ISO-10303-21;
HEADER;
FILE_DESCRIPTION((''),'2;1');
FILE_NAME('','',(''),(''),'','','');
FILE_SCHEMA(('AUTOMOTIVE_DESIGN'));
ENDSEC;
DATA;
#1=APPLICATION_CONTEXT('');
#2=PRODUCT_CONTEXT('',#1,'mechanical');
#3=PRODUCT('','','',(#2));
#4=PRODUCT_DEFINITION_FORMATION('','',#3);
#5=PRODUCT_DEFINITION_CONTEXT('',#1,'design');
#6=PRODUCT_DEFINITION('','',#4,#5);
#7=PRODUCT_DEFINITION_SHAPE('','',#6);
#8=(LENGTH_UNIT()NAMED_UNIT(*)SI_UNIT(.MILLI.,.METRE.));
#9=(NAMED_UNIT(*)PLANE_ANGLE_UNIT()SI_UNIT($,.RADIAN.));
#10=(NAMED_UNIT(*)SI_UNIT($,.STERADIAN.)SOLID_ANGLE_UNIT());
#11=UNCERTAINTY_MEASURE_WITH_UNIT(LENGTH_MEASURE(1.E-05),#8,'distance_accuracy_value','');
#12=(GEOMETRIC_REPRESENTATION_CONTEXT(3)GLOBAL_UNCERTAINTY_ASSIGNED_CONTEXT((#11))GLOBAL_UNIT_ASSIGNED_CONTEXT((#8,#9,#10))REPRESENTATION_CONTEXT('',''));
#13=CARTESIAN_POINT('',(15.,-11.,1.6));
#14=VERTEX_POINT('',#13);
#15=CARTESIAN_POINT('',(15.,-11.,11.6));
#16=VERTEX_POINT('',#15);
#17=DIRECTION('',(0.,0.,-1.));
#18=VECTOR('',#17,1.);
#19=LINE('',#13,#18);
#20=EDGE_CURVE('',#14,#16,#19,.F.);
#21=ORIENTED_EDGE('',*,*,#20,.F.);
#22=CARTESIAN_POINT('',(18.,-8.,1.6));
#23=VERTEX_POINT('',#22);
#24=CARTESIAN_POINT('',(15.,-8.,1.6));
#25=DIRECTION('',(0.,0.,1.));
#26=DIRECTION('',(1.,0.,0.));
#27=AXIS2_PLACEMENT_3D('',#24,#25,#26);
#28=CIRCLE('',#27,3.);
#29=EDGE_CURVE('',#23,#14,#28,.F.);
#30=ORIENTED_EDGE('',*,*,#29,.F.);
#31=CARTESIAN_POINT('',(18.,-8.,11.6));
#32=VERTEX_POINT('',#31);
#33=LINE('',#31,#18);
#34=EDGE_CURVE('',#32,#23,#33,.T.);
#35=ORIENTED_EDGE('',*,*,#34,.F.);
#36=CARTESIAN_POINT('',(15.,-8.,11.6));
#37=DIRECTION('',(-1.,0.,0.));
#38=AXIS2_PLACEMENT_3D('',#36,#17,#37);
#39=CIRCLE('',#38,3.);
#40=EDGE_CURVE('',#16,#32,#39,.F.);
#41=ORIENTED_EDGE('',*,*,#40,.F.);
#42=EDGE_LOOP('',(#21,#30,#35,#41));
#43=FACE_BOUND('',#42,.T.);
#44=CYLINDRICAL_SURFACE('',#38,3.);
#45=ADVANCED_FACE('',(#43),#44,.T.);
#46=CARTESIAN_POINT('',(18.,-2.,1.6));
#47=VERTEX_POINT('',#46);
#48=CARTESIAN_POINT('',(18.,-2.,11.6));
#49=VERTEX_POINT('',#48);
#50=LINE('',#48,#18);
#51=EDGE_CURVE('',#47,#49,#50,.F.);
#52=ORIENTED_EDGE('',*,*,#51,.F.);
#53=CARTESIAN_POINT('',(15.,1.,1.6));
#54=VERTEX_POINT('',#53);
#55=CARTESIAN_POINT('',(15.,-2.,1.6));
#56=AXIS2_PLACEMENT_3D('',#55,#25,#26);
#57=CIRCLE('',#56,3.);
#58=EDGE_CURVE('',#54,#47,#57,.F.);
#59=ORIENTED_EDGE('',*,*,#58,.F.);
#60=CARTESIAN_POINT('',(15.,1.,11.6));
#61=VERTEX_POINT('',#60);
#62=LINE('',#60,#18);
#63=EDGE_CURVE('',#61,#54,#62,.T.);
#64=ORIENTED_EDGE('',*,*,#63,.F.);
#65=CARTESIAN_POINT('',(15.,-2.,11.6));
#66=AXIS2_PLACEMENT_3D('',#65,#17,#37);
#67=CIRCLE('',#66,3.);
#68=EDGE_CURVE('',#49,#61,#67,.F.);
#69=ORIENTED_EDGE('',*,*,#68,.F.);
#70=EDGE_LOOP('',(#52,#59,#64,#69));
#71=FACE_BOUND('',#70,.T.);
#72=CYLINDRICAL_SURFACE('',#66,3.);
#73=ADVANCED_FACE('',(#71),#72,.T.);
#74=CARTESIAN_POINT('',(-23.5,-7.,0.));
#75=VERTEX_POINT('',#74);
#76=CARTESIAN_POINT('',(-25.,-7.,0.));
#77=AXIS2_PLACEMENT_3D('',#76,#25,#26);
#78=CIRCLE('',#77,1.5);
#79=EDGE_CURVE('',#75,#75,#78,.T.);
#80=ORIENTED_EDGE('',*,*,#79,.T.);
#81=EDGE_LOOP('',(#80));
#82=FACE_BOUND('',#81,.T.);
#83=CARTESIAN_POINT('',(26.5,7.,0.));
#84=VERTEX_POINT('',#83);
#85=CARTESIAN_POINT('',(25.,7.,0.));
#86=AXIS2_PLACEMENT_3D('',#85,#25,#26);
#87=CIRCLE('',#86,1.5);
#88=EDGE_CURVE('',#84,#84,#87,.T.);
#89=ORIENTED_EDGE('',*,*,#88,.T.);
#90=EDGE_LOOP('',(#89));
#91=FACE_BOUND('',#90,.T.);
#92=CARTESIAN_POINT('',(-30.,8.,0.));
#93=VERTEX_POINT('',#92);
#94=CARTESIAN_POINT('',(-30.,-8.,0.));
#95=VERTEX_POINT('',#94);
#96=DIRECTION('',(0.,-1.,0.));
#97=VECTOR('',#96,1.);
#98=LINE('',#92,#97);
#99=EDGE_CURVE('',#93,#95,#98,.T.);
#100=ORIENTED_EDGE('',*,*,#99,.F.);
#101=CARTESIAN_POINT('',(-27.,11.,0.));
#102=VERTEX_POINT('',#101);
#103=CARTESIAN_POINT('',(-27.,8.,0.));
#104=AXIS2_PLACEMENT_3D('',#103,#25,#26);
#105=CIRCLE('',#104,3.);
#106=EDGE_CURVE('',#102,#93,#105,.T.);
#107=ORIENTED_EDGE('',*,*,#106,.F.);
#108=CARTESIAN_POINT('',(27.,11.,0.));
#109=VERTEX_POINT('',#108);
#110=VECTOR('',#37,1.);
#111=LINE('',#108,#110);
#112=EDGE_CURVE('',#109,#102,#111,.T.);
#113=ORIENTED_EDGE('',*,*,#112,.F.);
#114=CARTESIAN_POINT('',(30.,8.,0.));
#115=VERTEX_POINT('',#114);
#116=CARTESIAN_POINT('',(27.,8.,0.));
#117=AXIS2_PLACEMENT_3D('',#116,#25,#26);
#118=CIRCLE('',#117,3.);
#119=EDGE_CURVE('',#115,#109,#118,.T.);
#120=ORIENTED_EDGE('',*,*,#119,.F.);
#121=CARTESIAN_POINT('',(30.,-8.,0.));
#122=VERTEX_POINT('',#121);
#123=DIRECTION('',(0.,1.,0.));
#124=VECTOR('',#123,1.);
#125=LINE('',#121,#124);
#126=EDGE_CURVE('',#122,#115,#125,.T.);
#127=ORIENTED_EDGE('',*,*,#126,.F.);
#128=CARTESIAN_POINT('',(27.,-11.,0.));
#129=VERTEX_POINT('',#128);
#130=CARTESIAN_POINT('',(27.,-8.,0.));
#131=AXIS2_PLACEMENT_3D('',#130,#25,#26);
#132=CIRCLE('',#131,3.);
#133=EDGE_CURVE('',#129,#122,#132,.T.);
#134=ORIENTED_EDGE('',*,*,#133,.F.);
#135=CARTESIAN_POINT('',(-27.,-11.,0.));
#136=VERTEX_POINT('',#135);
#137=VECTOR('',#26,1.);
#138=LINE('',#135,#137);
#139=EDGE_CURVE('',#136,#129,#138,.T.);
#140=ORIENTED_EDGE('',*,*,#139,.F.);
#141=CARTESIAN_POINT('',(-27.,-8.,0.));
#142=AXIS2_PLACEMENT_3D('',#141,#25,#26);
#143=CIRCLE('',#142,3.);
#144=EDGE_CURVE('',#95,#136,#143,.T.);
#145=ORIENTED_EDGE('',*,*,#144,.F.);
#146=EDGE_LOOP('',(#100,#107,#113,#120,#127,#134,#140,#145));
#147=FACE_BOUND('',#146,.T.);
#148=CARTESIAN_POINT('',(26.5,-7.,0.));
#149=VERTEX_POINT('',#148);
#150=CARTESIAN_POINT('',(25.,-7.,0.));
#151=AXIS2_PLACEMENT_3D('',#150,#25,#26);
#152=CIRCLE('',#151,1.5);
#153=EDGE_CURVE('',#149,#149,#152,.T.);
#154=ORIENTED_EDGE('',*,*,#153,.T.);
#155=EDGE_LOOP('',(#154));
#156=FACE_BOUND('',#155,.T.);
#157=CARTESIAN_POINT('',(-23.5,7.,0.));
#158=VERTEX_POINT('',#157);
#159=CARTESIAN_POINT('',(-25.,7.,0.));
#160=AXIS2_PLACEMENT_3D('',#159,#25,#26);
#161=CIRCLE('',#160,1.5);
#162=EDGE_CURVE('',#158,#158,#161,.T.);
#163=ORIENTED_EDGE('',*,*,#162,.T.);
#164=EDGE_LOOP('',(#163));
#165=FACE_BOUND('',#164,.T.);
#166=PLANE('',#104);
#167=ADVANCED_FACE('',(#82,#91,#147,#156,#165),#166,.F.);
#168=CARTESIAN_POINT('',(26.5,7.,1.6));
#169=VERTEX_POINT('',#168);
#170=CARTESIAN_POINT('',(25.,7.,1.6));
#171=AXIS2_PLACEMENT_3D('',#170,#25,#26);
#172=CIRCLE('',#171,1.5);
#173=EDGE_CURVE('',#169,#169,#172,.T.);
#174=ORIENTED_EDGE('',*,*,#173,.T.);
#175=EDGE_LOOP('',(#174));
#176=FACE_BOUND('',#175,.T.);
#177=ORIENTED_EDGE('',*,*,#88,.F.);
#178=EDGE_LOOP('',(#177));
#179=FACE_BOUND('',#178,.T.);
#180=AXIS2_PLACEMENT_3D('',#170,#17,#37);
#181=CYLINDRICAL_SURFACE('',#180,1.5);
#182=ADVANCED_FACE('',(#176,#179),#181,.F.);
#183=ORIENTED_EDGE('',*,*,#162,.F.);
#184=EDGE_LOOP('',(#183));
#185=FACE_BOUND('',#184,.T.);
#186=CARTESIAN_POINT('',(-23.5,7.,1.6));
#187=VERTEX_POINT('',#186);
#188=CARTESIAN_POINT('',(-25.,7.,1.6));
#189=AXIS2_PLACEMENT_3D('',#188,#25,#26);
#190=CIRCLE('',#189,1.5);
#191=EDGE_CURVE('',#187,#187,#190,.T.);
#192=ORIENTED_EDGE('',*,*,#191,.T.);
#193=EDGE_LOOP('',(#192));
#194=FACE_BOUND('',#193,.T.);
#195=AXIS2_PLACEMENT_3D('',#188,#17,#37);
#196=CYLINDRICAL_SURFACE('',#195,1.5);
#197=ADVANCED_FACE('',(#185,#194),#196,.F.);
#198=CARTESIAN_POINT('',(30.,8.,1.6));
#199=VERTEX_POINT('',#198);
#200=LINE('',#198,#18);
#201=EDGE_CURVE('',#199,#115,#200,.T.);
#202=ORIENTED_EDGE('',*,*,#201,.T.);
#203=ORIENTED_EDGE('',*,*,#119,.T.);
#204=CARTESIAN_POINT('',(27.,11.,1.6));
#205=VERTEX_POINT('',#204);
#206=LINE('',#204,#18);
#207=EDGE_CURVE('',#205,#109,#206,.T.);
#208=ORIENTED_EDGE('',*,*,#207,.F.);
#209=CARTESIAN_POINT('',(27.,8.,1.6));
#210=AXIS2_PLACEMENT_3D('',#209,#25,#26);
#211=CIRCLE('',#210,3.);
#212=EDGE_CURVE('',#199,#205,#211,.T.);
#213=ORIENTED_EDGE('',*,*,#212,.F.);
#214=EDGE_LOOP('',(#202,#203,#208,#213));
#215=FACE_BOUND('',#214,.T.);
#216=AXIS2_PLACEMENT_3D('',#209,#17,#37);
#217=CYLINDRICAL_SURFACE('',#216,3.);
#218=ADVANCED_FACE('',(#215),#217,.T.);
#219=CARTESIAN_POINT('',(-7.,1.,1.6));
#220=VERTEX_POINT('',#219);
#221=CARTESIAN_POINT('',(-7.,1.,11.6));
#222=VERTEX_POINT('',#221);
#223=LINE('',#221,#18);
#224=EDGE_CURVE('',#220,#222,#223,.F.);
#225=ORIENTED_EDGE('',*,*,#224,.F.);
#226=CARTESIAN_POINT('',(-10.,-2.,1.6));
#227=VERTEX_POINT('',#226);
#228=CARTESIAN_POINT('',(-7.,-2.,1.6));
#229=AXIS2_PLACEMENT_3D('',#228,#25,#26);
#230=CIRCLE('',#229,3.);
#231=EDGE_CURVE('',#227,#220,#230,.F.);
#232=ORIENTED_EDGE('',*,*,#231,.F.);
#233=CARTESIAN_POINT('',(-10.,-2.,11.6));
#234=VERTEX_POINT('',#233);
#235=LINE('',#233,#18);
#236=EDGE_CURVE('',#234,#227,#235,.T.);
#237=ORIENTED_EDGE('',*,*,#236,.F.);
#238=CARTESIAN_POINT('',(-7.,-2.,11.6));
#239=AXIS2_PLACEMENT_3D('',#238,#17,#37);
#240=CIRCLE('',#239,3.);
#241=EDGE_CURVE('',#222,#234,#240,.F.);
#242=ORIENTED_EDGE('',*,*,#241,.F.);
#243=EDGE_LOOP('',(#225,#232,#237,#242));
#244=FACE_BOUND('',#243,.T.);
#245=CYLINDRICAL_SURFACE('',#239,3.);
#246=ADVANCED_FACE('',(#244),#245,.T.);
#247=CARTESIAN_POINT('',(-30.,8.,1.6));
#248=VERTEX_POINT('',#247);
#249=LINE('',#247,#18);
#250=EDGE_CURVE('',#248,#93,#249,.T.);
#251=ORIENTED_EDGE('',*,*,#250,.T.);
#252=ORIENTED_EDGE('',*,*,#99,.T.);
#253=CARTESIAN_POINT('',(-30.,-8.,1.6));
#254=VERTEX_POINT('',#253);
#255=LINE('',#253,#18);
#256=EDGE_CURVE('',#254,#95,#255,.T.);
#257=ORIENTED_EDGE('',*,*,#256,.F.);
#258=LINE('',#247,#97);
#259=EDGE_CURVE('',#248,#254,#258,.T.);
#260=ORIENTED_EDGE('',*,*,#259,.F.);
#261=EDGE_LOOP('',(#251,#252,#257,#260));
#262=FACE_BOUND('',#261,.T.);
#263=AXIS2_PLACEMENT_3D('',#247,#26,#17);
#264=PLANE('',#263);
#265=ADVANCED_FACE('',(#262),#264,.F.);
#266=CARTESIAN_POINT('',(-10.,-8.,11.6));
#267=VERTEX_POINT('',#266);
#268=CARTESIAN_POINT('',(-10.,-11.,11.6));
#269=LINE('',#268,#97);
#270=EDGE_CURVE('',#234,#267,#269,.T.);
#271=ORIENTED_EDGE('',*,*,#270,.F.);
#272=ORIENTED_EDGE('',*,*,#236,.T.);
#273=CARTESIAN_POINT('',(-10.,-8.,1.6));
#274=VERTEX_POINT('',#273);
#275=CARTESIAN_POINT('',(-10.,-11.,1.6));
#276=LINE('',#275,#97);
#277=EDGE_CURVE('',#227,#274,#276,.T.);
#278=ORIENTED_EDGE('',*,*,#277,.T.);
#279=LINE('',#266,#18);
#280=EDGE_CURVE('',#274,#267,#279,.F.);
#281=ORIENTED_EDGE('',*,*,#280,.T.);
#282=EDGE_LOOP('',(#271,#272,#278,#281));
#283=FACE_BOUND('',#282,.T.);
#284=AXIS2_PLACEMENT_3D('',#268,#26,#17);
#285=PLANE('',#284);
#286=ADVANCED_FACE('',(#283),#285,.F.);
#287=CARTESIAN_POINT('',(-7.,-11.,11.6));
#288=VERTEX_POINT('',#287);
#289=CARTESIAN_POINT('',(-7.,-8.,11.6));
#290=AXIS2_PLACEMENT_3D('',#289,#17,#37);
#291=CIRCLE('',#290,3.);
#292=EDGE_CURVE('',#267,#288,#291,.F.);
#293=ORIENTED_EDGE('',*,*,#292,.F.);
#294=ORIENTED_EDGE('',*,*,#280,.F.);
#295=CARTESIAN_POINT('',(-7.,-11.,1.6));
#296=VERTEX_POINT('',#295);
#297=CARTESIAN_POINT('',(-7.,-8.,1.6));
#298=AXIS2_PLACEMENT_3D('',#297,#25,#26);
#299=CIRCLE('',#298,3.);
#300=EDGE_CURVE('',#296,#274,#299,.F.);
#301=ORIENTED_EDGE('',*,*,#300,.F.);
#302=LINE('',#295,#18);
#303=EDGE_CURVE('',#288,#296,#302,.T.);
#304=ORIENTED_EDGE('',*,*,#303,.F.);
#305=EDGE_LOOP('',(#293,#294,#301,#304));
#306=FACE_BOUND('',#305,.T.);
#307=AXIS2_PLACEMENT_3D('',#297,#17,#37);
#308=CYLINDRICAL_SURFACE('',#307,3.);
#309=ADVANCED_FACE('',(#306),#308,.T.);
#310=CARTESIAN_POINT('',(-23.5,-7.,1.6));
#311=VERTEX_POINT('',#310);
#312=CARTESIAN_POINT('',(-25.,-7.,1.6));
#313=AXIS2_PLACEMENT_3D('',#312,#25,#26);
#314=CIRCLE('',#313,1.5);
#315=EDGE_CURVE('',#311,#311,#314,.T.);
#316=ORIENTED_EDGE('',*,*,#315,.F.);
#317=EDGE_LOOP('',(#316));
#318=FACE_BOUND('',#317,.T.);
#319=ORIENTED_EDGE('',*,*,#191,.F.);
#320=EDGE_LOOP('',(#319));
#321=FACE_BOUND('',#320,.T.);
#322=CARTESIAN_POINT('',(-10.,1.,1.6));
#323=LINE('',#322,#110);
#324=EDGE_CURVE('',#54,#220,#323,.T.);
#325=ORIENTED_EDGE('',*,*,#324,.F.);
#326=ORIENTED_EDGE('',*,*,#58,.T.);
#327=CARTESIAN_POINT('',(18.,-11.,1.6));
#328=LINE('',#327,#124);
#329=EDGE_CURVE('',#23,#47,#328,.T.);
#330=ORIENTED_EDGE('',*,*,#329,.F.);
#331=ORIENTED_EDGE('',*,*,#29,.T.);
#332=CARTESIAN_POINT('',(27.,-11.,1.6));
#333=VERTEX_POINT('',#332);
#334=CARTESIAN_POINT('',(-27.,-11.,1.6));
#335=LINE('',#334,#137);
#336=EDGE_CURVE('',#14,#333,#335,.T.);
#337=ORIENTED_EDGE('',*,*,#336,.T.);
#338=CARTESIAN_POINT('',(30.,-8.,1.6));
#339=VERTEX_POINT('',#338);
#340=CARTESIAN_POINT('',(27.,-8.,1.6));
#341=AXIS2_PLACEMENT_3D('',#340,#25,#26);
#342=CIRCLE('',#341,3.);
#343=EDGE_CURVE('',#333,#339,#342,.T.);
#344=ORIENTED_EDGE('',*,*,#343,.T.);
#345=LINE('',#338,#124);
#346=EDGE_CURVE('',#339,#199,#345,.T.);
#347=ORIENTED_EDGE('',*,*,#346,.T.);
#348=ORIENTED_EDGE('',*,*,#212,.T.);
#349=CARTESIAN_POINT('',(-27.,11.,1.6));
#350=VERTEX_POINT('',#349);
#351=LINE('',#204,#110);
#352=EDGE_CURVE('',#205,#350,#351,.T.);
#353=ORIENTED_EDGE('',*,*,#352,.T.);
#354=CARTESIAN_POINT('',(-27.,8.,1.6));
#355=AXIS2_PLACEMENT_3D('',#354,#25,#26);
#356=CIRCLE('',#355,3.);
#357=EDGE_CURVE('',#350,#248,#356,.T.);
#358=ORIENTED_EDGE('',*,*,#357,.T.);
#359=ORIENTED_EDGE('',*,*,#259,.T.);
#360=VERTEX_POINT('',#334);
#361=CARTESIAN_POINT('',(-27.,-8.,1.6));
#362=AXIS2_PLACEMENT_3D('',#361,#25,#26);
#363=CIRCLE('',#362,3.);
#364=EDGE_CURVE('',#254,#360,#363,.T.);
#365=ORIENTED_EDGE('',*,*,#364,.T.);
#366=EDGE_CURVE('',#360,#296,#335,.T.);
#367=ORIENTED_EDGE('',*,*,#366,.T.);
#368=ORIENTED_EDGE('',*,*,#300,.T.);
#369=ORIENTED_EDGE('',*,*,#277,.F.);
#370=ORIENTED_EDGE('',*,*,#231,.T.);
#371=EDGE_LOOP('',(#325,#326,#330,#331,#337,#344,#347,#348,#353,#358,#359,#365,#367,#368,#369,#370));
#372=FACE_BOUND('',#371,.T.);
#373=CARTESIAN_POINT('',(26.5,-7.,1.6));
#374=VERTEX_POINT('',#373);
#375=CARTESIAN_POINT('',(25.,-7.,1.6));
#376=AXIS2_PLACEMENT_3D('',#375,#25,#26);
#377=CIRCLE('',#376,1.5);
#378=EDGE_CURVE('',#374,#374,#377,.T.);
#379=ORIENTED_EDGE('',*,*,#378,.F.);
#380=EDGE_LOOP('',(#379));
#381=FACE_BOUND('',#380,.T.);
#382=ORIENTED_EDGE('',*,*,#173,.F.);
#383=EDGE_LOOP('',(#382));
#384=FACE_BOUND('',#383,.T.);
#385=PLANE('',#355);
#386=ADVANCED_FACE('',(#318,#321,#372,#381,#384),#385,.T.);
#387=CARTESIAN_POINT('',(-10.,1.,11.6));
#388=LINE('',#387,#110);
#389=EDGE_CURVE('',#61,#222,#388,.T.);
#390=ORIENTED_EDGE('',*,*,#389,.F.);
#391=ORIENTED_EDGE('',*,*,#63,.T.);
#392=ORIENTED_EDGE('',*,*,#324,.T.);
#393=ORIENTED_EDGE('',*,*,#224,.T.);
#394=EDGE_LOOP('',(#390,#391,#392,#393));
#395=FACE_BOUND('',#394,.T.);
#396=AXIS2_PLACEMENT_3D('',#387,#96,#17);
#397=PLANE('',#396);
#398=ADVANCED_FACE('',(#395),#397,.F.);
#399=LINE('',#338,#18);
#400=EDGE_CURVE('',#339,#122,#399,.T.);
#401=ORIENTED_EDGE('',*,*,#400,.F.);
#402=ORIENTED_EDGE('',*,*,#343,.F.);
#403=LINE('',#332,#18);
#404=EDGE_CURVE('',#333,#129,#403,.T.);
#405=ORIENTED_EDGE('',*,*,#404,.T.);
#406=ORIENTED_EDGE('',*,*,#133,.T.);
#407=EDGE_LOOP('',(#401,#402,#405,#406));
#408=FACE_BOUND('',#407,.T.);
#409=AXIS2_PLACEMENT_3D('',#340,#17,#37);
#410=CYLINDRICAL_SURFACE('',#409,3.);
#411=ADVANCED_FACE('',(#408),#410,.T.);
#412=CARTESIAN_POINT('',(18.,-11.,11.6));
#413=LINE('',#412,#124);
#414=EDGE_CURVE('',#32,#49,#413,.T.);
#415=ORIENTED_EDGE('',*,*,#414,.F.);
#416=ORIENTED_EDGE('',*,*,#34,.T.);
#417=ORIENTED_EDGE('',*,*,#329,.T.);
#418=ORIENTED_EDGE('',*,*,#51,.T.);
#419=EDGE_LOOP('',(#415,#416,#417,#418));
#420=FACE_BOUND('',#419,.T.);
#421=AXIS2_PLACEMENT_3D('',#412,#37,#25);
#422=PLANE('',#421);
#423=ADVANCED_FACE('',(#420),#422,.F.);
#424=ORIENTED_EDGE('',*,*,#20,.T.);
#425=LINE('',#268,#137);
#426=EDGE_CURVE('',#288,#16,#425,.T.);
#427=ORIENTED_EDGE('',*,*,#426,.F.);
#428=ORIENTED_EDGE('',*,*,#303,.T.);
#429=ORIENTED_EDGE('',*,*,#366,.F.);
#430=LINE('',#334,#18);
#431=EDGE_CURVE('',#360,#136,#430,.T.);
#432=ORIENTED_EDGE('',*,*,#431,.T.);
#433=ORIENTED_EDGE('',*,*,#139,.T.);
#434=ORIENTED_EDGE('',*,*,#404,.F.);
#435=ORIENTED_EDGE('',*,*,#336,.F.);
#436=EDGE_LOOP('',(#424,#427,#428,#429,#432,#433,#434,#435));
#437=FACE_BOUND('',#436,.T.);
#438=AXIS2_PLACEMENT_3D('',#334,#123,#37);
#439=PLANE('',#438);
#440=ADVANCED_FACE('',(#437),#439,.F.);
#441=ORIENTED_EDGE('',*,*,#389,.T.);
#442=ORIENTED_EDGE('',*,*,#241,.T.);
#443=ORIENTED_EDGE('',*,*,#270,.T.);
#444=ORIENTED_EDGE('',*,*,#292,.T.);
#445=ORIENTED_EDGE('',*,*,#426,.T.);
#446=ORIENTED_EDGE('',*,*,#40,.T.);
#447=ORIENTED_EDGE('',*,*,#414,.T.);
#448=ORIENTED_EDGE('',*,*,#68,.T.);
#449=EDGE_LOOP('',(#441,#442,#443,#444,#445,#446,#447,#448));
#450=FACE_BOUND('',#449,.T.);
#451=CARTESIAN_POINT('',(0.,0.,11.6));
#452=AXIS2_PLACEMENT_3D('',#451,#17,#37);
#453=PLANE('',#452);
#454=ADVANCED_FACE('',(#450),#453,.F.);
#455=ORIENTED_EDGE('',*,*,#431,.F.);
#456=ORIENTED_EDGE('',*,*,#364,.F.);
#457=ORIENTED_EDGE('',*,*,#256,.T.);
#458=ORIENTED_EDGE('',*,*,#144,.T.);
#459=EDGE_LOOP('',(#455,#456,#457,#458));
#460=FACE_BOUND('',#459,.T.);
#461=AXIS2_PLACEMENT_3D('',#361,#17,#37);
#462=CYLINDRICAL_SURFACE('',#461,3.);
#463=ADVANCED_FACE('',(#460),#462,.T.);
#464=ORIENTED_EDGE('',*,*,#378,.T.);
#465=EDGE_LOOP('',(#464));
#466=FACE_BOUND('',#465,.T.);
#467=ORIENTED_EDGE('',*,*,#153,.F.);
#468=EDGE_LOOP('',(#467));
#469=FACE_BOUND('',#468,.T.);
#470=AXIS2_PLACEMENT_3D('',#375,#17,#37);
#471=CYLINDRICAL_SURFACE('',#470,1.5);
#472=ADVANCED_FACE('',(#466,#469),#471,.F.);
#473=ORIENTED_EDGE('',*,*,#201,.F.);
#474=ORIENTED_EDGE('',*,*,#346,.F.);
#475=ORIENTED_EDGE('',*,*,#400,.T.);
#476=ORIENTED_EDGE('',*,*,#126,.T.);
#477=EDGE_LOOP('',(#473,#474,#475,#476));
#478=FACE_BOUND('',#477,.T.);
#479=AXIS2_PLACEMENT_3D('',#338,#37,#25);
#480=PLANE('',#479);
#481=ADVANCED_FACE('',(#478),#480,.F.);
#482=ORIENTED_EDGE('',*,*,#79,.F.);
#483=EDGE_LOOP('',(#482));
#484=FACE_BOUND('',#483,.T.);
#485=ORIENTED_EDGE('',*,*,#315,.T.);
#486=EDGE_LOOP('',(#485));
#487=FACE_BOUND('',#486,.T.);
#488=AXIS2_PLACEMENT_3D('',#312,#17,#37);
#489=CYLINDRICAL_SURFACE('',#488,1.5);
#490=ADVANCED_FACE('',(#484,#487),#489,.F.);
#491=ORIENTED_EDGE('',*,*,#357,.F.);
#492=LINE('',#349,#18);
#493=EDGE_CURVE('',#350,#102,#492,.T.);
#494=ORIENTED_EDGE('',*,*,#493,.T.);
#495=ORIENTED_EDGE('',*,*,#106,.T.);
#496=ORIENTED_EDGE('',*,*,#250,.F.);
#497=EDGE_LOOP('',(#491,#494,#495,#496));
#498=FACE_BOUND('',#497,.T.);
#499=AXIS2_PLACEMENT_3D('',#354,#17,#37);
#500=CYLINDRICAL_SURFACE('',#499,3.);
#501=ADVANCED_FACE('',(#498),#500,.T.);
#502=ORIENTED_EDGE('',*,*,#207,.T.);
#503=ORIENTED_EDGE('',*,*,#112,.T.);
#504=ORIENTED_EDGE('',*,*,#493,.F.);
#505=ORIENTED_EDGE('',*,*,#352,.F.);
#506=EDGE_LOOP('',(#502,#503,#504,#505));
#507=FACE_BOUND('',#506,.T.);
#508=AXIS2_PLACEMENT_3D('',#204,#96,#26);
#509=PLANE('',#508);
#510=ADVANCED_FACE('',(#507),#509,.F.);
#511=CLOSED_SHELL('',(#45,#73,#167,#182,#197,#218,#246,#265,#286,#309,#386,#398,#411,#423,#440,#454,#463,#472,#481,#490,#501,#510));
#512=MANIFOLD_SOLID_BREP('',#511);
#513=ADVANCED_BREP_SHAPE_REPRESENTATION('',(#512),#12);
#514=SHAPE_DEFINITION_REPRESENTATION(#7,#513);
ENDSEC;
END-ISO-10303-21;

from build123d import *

# Parameters (mm, degrees)
SKETCH_1_R      = 1.5
EXTRUDE_1_DEPTH = 1.6
SKETCH_2_W      = 28
SKETCH_2_H      = 12
EXTRUDE_2_DEPTH = 10
FILLET_1_R      = 3


with BuildPart() as part:
    # 草图1 → 凸台-拉伸1 (new body)
    with BuildSketch(Plane.XY):
        with BuildLine():
            Line((-30, 8), (-30, -8))
            ThreePointArc((-30, -8), (-29.121320344, -10.121320344), (-27, -11))
            Line((-27, -11), (27, -11))
            ThreePointArc((27, -11), (29.121320344, -10.121320344), (30, -8))
            Line((30, -8), (30, 8))
            ThreePointArc((30, 8), (29.121320344, 10.121320344), (27, 11))
            Line((27, 11), (-27, 11))
            ThreePointArc((-27, 11), (-29.121320344, 10.121320344), (-30, 8))
        make_face()
        with Locations((-25, 7)):
            Circle(SKETCH_1_R, mode=Mode.SUBTRACT)
        with Locations((25, 7)):
            Circle(SKETCH_1_R, mode=Mode.SUBTRACT)
        with Locations((25, -7)):
            Circle(SKETCH_1_R, mode=Mode.SUBTRACT)
        with Locations((-25, -7)):
            Circle(SKETCH_1_R, mode=Mode.SUBTRACT)
    extrude(amount=EXTRUDE_1_DEPTH)

    # 草图2 → 凸台-拉伸2 (add)
    with BuildSketch(Plane.XY.offset(1.6)):
        with Locations((4, -5)):
            Rectangle(SKETCH_2_W, SKETCH_2_H)
    extrude(amount=EXTRUDE_2_DEPTH)

    # 圆角1
    fillet_1_edges = [part.edges().sort_by_distance(p)[0] for p in [
        (-10, 1, 6.6),
        (-10, -11, 6.6),
        (18, -11, 6.6),
        (18, 1, 6.6),
    ]]
    fillet(fillet_1_edges, radius=FILLET_1_R)


solid = part.part
